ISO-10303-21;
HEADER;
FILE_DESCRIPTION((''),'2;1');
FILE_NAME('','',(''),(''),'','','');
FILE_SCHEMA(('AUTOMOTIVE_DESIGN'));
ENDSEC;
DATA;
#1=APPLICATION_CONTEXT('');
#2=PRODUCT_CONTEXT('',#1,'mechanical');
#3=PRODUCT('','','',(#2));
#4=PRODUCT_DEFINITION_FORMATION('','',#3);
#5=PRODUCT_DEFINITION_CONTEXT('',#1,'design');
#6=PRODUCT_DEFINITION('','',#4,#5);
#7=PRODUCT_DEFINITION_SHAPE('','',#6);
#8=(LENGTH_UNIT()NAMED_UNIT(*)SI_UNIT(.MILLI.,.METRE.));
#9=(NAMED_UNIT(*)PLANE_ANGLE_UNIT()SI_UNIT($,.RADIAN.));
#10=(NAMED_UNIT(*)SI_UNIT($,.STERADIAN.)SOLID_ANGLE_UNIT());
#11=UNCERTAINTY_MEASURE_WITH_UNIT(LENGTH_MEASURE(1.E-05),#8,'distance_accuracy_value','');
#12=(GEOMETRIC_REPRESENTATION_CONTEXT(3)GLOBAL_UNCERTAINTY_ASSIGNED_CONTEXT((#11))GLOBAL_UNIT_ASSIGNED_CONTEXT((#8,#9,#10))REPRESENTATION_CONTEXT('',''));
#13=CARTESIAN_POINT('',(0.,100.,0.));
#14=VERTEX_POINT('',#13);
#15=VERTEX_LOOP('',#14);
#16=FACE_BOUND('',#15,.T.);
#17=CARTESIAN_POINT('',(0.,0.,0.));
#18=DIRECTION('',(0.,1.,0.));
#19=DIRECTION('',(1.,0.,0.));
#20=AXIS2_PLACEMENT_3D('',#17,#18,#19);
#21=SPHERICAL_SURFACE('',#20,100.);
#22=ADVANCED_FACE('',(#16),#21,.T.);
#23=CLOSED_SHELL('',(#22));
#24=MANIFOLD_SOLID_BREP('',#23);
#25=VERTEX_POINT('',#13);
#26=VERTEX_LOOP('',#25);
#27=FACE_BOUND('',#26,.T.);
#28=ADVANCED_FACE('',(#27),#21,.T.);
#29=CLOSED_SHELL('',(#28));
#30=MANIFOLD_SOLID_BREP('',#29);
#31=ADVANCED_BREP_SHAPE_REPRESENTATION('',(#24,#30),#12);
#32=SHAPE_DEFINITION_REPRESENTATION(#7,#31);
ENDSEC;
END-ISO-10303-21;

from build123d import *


with BuildPart() as part:
    # Sketch1 → Revolve1 (revolve)
    with BuildSketch(Plane.XY):
        with BuildLine():
            Line((0, 100), (0, -100))
            ThreePointArc((0, -100), (100, 0), (0, 100))
        make_face()
    revolve(axis=Axis((0, 100, 0), (0, -1, 0)))


with BuildPart() as body_2:
    # Sketch2 → Revolve2 (revolve)
    with BuildSketch(Plane.XY):
        with BuildLine():
            Line((0, 100), (0, -100))
            ThreePointArc((0, -100), (100, 0), (0, 100))
        make_face()
    revolve(axis=Axis((0, 100, 0), (0, -1, 0)))


solid = Compound([part.part, body_2.part])
